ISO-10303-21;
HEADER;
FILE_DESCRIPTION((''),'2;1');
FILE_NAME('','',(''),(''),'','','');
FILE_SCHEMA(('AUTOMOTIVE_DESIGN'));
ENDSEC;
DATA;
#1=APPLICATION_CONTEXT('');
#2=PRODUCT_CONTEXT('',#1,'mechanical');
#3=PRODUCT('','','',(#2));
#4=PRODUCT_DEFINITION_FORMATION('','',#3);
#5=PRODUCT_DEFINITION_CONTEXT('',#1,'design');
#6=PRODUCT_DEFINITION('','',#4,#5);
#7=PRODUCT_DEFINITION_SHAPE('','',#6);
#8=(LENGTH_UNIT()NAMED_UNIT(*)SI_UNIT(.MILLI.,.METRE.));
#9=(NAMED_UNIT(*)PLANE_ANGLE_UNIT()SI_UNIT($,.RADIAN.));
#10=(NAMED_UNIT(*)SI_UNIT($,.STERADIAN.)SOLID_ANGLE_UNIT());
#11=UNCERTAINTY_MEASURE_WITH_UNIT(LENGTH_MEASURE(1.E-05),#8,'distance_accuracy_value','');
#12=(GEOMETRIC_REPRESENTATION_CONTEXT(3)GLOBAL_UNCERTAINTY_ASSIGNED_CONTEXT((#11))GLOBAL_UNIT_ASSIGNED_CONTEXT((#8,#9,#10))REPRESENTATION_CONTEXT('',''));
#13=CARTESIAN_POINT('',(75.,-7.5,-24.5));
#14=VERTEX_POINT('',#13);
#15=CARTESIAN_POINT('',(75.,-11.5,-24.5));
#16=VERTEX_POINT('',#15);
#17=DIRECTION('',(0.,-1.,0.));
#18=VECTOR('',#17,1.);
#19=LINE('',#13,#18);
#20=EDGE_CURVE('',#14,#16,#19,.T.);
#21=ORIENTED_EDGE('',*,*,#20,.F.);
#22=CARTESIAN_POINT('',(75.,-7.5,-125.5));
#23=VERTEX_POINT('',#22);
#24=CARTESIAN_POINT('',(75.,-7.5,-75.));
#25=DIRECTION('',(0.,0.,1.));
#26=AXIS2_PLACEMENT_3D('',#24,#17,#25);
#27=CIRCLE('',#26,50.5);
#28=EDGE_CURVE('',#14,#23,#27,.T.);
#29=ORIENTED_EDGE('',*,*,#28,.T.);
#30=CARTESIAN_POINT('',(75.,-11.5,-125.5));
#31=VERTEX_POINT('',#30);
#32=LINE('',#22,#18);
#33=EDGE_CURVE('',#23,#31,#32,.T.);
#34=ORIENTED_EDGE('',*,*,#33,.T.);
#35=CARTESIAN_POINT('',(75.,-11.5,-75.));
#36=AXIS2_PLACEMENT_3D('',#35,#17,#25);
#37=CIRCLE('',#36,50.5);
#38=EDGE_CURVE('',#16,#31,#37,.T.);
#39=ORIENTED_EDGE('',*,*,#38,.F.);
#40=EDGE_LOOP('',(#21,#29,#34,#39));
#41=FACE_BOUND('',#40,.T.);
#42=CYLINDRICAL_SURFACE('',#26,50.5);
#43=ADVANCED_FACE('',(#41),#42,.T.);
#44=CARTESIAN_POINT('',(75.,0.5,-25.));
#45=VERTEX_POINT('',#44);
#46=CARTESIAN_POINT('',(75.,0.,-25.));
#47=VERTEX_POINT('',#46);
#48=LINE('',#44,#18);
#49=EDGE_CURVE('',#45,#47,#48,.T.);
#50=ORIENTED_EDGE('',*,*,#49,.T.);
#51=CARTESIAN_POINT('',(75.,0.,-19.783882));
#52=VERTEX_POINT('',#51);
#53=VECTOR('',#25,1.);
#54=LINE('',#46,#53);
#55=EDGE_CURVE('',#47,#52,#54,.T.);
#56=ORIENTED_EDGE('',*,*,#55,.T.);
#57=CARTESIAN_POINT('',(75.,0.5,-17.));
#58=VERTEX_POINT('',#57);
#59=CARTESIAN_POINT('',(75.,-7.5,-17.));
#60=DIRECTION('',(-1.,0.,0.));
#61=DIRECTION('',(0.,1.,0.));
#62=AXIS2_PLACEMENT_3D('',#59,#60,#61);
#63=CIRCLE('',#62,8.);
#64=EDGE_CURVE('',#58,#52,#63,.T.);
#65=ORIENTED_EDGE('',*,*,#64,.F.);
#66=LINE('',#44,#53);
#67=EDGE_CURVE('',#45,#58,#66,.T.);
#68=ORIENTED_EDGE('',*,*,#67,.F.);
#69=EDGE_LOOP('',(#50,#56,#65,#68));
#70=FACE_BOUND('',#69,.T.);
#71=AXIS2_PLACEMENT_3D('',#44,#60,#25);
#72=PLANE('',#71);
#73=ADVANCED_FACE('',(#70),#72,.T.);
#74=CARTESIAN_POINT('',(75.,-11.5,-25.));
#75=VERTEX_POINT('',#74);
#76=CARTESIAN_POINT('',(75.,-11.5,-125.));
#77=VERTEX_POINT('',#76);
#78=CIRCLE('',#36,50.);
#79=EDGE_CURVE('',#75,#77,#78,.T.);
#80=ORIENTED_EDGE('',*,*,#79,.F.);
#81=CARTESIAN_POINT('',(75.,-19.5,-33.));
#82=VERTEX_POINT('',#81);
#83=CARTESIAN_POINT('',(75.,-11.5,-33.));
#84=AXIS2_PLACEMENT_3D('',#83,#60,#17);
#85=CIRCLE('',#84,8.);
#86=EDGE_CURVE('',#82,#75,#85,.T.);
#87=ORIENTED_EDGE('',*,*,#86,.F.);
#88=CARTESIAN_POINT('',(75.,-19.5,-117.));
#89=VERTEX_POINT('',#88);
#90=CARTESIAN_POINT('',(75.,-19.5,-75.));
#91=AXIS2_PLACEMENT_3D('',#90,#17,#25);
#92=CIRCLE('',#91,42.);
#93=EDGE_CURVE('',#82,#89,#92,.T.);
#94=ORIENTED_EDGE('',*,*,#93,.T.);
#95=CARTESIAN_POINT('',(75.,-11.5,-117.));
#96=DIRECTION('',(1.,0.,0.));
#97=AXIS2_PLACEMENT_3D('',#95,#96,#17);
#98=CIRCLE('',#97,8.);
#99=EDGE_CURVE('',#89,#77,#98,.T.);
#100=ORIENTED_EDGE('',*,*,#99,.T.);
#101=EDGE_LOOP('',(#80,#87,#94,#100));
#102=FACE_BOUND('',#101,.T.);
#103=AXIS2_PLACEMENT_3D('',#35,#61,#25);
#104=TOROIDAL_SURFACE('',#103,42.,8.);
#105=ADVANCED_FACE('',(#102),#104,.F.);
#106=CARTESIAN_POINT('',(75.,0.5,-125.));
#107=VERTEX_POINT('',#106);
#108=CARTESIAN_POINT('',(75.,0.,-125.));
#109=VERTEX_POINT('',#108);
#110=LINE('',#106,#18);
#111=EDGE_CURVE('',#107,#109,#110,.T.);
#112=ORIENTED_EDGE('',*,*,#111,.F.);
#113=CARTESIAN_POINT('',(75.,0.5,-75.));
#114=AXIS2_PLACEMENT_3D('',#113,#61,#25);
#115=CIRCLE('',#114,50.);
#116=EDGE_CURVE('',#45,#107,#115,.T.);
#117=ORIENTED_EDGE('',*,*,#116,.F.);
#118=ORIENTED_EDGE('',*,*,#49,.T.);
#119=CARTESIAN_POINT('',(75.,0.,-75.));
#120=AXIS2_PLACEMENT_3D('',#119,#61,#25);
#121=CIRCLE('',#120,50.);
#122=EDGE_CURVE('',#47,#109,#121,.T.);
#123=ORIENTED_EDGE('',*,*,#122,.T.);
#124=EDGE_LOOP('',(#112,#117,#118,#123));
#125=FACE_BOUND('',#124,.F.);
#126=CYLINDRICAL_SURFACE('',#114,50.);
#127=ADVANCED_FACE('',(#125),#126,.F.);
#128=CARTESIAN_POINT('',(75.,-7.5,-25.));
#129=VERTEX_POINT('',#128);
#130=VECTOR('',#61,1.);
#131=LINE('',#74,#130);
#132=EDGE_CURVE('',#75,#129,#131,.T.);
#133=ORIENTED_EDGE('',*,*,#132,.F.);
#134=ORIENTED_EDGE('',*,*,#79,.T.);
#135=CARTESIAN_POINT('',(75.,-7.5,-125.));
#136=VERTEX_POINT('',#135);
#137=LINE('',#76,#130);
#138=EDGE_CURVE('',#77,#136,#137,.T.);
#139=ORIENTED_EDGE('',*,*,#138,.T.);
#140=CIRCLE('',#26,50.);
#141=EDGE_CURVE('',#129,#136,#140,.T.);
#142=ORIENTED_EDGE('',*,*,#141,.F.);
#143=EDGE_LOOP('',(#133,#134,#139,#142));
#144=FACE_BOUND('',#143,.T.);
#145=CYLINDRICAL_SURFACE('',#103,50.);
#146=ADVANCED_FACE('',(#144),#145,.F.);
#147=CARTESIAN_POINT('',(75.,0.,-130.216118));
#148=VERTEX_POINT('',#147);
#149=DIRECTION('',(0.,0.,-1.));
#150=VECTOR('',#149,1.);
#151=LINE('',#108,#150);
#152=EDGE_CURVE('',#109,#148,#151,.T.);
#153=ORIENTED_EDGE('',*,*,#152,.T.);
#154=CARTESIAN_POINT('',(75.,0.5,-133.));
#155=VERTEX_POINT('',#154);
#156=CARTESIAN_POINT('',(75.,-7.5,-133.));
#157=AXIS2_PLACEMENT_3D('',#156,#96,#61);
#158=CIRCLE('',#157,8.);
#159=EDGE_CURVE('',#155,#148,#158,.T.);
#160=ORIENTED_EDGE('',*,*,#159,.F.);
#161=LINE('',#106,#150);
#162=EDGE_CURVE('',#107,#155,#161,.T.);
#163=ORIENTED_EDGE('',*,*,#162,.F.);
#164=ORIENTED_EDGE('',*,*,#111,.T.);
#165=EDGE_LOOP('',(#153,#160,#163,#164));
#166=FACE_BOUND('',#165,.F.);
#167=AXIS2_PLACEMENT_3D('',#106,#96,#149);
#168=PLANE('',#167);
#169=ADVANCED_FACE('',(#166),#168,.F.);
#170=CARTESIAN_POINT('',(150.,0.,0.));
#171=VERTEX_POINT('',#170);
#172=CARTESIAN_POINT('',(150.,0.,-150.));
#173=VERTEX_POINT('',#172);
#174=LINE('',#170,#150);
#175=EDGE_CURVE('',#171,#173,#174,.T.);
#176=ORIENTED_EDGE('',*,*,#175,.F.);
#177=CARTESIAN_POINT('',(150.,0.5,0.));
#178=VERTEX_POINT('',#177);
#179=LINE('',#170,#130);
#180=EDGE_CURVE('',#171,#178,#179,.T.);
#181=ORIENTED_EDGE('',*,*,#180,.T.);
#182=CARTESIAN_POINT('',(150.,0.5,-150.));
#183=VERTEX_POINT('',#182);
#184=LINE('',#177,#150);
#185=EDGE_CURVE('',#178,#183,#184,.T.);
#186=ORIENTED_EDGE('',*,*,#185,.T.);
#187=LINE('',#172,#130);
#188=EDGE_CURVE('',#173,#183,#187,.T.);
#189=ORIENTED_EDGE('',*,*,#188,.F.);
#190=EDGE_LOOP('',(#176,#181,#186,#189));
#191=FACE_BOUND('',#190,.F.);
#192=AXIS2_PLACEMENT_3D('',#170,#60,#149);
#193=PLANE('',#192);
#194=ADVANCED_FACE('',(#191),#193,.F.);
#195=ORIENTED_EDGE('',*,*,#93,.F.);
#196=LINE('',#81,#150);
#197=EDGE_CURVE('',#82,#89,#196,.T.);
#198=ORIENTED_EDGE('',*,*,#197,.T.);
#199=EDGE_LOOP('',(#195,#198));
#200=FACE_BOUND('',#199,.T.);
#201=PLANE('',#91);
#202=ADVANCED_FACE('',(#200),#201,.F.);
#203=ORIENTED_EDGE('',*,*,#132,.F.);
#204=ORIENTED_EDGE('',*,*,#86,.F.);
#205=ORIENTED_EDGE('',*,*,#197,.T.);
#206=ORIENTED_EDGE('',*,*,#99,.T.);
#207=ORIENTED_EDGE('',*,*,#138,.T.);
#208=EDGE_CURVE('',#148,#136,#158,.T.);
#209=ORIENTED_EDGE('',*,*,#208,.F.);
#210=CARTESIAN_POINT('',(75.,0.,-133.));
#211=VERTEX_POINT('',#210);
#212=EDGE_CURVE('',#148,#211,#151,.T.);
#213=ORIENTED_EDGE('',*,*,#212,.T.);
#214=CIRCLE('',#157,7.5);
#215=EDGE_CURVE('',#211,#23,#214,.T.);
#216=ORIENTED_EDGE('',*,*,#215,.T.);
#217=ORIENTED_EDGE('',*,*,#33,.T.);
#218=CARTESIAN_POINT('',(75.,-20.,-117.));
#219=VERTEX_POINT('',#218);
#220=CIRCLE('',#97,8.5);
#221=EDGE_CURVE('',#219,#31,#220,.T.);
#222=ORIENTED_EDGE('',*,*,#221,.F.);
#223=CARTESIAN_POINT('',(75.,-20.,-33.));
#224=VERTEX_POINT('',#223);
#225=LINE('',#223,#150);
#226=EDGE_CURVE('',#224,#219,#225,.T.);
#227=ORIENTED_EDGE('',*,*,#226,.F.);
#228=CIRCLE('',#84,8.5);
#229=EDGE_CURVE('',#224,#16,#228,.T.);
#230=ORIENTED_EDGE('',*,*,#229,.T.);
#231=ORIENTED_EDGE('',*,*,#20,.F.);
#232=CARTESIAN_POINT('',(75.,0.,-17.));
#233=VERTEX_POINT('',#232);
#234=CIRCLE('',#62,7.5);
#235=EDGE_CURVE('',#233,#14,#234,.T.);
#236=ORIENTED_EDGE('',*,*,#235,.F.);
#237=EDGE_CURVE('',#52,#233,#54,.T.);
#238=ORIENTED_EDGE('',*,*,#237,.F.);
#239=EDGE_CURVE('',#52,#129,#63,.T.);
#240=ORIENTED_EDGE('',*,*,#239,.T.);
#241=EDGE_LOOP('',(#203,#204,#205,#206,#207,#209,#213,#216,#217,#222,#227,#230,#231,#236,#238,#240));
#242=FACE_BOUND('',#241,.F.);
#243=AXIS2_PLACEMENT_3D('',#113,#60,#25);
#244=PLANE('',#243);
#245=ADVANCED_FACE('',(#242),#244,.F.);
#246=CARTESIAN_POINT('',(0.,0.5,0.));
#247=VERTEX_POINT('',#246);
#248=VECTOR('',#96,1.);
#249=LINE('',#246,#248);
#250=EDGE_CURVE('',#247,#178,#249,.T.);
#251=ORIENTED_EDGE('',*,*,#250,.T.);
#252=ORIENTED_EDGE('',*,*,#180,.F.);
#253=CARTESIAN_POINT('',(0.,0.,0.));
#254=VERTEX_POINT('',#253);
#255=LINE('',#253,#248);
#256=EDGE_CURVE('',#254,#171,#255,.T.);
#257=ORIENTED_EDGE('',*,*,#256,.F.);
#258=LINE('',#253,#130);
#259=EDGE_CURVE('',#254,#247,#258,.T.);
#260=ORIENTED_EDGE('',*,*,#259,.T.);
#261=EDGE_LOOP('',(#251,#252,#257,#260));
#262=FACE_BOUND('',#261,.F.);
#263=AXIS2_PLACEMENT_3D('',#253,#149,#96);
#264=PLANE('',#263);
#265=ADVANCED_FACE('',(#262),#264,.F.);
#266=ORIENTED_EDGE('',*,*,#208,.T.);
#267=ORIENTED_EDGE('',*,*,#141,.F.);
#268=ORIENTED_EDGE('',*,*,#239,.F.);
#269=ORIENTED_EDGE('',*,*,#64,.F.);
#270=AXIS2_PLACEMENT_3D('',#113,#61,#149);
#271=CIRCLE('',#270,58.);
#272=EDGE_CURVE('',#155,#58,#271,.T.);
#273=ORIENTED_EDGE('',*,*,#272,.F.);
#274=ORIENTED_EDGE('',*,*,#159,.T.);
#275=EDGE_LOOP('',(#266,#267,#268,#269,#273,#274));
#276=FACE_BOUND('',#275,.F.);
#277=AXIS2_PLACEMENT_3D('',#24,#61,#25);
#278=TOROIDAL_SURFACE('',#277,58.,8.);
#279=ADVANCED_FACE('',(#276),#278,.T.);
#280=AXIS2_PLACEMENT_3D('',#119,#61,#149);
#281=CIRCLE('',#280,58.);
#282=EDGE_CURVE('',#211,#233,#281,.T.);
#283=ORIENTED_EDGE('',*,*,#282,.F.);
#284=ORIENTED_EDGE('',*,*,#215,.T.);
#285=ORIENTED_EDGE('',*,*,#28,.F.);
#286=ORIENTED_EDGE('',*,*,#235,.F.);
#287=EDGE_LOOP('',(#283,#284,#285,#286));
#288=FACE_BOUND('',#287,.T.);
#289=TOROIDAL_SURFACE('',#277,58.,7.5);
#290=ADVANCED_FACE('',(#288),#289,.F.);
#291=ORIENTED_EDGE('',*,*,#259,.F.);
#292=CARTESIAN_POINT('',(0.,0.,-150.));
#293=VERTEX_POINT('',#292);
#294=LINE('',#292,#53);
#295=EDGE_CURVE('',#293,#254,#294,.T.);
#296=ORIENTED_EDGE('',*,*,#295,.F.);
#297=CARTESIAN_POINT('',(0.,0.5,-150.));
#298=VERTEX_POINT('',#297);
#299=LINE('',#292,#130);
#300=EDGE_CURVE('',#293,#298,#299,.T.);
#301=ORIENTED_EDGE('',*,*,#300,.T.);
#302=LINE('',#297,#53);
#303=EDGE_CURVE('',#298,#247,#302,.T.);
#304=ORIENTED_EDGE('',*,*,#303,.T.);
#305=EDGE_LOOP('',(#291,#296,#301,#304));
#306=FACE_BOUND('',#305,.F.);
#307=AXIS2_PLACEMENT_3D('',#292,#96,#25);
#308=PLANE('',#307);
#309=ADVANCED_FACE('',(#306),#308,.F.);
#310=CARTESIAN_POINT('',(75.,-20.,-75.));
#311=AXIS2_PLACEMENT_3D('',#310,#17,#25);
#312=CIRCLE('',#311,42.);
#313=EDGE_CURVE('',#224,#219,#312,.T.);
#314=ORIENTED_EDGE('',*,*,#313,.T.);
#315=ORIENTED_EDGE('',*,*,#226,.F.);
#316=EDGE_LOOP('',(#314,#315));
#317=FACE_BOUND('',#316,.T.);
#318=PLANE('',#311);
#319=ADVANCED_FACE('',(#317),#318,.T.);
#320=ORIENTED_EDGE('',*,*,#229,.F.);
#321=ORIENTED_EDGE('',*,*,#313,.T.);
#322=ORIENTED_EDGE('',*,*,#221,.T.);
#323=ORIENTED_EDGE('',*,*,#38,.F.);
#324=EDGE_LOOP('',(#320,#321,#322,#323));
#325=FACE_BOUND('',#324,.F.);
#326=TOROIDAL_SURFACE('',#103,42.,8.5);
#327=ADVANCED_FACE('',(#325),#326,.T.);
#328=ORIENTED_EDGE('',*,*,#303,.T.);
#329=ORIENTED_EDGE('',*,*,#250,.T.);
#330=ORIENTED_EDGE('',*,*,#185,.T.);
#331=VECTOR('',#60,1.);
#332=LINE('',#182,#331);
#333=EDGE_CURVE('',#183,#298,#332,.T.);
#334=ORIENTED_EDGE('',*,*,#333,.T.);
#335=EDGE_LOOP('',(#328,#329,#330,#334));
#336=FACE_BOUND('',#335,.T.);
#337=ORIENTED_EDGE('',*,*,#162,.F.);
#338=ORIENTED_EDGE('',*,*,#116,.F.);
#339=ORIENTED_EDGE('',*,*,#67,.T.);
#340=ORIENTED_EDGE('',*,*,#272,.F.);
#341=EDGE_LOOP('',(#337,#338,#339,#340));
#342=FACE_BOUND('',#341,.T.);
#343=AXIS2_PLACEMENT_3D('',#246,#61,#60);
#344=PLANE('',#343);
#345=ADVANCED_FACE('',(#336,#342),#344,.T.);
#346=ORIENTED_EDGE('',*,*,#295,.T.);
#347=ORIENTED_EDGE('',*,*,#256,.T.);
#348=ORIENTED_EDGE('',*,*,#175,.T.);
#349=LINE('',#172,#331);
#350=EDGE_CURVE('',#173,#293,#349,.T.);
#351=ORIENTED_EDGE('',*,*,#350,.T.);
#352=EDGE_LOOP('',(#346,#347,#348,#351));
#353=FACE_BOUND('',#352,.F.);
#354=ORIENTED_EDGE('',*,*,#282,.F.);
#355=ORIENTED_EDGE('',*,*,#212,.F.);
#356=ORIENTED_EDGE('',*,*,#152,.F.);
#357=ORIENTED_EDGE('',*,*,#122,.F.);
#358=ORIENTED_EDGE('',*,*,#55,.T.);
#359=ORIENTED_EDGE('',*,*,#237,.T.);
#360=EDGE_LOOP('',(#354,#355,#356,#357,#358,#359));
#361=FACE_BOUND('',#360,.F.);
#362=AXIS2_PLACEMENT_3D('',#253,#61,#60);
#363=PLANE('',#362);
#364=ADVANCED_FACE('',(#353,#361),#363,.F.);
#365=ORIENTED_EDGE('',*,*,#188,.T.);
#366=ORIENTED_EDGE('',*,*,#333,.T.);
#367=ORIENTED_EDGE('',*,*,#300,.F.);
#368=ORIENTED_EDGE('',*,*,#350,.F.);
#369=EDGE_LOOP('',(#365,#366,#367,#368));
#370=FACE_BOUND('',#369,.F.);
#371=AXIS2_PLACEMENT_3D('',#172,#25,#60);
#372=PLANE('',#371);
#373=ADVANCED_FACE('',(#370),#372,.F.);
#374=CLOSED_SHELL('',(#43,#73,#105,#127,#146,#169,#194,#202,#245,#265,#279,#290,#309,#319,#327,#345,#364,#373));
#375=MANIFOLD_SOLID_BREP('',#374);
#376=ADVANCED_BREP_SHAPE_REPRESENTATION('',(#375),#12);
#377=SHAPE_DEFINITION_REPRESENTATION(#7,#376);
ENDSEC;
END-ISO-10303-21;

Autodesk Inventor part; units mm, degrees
ref_plane "YZ Plane" through (0, 0, 0) normal (1, 0, 0) x (0, 1, 0)
ref_plane "XZ Plane" through (0, 0, 0) normal (0, 1, 0) x (-1, 0, 0)
sketch "Sketch1" plane through (0, 0, 0) normal (0, 1, 0) x (-1, 0, 0)
  line L0 (0, 0) -> (-150, 0)
  line L1 (-150, 0) -> (-150, -150)
  line L2 (-150, -150) -> (0, -150)
  line L3 (0, -150) -> (0, 0)
  dimension "d0" = 150
  dimension "d1" = 150
extrude "Plate1" add sketch "Sketch1" along normal blind 0.5
sketch "Sketch2" plane through (0, 0.5, 0) normal (0, 1, 0) x (1, 0, 0)
  arc A0 (75, 133) -> (75, 17) centre (75, 75) ccw
  line L0 (0, 0) -> (0, 150) projected
  line L1 (0, 150) -> (150, 150) projected
  line L2 (75, 17) -> (75, 133) construction
  arc A1 (75, 25) -> (75, 125) centre (75, 75) ccw
  line L3 (75, 125) -> (75, 133)
  line L4 (75, 25) -> (75, 17)
  arc A2 (75, 17) -> (75, 133) centre (75, 75) ccw construction
  dimension "d3" = 75
  dimension "d4" = 75
  dimension "d5" = 116
  dimension "d7" = 50
extrude "Extrusion1" cut sketch "Sketch2" against normal blind 0.5
ref_plane "Work Plane1" through (75, 0.5, -75) normal (0, 0, -1) x (-1, 0, 0)
sketch "Sketch3" plane through (75, 0.5, -75) normal (0, 0, -1) x (-1, 0, 0)
  line L0 (58, 0) -> (0, 0) construction
  line L1 (0, 0) -> (0, -0.5) projected
  line L2 (0, 0) -> (0, -20)
  line L3 (0, -20) -> (42, -20)
  arc A0 (42, -20) -> (50, -12) centre (42, -12) ccw
  line L4 (50, -12) -> (50, -8)
  arc A1 (58, 0) -> (50, -8) centre (58, -8) ccw
  line L5 (58, 0) -> (58, -0.5)
  arc A2 (58, -0.5) -> (50.5, -8) centre (58, -8) ccw
  line L6 (50.5, -8) -> (50.5, -12)
  arc A3 (42, -20.5) -> (50.5, -12) centre (42, -12) ccw
  line L7 (42, -20.5) -> (0, -20.5)
  line L8 (0, -20.5) -> (0, -20)
  line L9 (42, -20) -> (42, -20.5) construction
  line L10 (50.5, -8) -> (50, -8) construction
  point P0 (75, -0.5)
  dimension "d10" = 20
  dimension "d12" = 8
  dimension "d13" = 8
  dimension "d14" = 0.5
  dimension "d15" = 0.5
  dimension "d16" = 0.5
revolve "Revolution1" add sketch "Sketch3" angle 180 mid plane about axis through (75, 0.5, -75) along (0, -1, 0)
equation "\"d8\" = Thickness"
equation "\"d14\" = Thickness"
equation "\"d15\" = Thickness"
equation "\"d16\" = Thickness"
equation "\"d2\" = Thickness"
equation "\"BendRadius\" = Thickness"
equation "\"BendReliefWidth\" = Thickness"
equation "\"BendReliefDepth\" = 0.5 * Thickness"
equation "\"CornerReliefSize\" = 4 * Thickness"
equation "\"MinimumRemnant\" = 2 * Thickness"
equation "\"TransitionRadius\" = BendRadius"
equation "\"JacobiRadiusSize\" = BendRadius"
equation "\"GapSize\" = Thickness"
equation "\"Thickness\" = 0.5"
properties part number "A3.2"
